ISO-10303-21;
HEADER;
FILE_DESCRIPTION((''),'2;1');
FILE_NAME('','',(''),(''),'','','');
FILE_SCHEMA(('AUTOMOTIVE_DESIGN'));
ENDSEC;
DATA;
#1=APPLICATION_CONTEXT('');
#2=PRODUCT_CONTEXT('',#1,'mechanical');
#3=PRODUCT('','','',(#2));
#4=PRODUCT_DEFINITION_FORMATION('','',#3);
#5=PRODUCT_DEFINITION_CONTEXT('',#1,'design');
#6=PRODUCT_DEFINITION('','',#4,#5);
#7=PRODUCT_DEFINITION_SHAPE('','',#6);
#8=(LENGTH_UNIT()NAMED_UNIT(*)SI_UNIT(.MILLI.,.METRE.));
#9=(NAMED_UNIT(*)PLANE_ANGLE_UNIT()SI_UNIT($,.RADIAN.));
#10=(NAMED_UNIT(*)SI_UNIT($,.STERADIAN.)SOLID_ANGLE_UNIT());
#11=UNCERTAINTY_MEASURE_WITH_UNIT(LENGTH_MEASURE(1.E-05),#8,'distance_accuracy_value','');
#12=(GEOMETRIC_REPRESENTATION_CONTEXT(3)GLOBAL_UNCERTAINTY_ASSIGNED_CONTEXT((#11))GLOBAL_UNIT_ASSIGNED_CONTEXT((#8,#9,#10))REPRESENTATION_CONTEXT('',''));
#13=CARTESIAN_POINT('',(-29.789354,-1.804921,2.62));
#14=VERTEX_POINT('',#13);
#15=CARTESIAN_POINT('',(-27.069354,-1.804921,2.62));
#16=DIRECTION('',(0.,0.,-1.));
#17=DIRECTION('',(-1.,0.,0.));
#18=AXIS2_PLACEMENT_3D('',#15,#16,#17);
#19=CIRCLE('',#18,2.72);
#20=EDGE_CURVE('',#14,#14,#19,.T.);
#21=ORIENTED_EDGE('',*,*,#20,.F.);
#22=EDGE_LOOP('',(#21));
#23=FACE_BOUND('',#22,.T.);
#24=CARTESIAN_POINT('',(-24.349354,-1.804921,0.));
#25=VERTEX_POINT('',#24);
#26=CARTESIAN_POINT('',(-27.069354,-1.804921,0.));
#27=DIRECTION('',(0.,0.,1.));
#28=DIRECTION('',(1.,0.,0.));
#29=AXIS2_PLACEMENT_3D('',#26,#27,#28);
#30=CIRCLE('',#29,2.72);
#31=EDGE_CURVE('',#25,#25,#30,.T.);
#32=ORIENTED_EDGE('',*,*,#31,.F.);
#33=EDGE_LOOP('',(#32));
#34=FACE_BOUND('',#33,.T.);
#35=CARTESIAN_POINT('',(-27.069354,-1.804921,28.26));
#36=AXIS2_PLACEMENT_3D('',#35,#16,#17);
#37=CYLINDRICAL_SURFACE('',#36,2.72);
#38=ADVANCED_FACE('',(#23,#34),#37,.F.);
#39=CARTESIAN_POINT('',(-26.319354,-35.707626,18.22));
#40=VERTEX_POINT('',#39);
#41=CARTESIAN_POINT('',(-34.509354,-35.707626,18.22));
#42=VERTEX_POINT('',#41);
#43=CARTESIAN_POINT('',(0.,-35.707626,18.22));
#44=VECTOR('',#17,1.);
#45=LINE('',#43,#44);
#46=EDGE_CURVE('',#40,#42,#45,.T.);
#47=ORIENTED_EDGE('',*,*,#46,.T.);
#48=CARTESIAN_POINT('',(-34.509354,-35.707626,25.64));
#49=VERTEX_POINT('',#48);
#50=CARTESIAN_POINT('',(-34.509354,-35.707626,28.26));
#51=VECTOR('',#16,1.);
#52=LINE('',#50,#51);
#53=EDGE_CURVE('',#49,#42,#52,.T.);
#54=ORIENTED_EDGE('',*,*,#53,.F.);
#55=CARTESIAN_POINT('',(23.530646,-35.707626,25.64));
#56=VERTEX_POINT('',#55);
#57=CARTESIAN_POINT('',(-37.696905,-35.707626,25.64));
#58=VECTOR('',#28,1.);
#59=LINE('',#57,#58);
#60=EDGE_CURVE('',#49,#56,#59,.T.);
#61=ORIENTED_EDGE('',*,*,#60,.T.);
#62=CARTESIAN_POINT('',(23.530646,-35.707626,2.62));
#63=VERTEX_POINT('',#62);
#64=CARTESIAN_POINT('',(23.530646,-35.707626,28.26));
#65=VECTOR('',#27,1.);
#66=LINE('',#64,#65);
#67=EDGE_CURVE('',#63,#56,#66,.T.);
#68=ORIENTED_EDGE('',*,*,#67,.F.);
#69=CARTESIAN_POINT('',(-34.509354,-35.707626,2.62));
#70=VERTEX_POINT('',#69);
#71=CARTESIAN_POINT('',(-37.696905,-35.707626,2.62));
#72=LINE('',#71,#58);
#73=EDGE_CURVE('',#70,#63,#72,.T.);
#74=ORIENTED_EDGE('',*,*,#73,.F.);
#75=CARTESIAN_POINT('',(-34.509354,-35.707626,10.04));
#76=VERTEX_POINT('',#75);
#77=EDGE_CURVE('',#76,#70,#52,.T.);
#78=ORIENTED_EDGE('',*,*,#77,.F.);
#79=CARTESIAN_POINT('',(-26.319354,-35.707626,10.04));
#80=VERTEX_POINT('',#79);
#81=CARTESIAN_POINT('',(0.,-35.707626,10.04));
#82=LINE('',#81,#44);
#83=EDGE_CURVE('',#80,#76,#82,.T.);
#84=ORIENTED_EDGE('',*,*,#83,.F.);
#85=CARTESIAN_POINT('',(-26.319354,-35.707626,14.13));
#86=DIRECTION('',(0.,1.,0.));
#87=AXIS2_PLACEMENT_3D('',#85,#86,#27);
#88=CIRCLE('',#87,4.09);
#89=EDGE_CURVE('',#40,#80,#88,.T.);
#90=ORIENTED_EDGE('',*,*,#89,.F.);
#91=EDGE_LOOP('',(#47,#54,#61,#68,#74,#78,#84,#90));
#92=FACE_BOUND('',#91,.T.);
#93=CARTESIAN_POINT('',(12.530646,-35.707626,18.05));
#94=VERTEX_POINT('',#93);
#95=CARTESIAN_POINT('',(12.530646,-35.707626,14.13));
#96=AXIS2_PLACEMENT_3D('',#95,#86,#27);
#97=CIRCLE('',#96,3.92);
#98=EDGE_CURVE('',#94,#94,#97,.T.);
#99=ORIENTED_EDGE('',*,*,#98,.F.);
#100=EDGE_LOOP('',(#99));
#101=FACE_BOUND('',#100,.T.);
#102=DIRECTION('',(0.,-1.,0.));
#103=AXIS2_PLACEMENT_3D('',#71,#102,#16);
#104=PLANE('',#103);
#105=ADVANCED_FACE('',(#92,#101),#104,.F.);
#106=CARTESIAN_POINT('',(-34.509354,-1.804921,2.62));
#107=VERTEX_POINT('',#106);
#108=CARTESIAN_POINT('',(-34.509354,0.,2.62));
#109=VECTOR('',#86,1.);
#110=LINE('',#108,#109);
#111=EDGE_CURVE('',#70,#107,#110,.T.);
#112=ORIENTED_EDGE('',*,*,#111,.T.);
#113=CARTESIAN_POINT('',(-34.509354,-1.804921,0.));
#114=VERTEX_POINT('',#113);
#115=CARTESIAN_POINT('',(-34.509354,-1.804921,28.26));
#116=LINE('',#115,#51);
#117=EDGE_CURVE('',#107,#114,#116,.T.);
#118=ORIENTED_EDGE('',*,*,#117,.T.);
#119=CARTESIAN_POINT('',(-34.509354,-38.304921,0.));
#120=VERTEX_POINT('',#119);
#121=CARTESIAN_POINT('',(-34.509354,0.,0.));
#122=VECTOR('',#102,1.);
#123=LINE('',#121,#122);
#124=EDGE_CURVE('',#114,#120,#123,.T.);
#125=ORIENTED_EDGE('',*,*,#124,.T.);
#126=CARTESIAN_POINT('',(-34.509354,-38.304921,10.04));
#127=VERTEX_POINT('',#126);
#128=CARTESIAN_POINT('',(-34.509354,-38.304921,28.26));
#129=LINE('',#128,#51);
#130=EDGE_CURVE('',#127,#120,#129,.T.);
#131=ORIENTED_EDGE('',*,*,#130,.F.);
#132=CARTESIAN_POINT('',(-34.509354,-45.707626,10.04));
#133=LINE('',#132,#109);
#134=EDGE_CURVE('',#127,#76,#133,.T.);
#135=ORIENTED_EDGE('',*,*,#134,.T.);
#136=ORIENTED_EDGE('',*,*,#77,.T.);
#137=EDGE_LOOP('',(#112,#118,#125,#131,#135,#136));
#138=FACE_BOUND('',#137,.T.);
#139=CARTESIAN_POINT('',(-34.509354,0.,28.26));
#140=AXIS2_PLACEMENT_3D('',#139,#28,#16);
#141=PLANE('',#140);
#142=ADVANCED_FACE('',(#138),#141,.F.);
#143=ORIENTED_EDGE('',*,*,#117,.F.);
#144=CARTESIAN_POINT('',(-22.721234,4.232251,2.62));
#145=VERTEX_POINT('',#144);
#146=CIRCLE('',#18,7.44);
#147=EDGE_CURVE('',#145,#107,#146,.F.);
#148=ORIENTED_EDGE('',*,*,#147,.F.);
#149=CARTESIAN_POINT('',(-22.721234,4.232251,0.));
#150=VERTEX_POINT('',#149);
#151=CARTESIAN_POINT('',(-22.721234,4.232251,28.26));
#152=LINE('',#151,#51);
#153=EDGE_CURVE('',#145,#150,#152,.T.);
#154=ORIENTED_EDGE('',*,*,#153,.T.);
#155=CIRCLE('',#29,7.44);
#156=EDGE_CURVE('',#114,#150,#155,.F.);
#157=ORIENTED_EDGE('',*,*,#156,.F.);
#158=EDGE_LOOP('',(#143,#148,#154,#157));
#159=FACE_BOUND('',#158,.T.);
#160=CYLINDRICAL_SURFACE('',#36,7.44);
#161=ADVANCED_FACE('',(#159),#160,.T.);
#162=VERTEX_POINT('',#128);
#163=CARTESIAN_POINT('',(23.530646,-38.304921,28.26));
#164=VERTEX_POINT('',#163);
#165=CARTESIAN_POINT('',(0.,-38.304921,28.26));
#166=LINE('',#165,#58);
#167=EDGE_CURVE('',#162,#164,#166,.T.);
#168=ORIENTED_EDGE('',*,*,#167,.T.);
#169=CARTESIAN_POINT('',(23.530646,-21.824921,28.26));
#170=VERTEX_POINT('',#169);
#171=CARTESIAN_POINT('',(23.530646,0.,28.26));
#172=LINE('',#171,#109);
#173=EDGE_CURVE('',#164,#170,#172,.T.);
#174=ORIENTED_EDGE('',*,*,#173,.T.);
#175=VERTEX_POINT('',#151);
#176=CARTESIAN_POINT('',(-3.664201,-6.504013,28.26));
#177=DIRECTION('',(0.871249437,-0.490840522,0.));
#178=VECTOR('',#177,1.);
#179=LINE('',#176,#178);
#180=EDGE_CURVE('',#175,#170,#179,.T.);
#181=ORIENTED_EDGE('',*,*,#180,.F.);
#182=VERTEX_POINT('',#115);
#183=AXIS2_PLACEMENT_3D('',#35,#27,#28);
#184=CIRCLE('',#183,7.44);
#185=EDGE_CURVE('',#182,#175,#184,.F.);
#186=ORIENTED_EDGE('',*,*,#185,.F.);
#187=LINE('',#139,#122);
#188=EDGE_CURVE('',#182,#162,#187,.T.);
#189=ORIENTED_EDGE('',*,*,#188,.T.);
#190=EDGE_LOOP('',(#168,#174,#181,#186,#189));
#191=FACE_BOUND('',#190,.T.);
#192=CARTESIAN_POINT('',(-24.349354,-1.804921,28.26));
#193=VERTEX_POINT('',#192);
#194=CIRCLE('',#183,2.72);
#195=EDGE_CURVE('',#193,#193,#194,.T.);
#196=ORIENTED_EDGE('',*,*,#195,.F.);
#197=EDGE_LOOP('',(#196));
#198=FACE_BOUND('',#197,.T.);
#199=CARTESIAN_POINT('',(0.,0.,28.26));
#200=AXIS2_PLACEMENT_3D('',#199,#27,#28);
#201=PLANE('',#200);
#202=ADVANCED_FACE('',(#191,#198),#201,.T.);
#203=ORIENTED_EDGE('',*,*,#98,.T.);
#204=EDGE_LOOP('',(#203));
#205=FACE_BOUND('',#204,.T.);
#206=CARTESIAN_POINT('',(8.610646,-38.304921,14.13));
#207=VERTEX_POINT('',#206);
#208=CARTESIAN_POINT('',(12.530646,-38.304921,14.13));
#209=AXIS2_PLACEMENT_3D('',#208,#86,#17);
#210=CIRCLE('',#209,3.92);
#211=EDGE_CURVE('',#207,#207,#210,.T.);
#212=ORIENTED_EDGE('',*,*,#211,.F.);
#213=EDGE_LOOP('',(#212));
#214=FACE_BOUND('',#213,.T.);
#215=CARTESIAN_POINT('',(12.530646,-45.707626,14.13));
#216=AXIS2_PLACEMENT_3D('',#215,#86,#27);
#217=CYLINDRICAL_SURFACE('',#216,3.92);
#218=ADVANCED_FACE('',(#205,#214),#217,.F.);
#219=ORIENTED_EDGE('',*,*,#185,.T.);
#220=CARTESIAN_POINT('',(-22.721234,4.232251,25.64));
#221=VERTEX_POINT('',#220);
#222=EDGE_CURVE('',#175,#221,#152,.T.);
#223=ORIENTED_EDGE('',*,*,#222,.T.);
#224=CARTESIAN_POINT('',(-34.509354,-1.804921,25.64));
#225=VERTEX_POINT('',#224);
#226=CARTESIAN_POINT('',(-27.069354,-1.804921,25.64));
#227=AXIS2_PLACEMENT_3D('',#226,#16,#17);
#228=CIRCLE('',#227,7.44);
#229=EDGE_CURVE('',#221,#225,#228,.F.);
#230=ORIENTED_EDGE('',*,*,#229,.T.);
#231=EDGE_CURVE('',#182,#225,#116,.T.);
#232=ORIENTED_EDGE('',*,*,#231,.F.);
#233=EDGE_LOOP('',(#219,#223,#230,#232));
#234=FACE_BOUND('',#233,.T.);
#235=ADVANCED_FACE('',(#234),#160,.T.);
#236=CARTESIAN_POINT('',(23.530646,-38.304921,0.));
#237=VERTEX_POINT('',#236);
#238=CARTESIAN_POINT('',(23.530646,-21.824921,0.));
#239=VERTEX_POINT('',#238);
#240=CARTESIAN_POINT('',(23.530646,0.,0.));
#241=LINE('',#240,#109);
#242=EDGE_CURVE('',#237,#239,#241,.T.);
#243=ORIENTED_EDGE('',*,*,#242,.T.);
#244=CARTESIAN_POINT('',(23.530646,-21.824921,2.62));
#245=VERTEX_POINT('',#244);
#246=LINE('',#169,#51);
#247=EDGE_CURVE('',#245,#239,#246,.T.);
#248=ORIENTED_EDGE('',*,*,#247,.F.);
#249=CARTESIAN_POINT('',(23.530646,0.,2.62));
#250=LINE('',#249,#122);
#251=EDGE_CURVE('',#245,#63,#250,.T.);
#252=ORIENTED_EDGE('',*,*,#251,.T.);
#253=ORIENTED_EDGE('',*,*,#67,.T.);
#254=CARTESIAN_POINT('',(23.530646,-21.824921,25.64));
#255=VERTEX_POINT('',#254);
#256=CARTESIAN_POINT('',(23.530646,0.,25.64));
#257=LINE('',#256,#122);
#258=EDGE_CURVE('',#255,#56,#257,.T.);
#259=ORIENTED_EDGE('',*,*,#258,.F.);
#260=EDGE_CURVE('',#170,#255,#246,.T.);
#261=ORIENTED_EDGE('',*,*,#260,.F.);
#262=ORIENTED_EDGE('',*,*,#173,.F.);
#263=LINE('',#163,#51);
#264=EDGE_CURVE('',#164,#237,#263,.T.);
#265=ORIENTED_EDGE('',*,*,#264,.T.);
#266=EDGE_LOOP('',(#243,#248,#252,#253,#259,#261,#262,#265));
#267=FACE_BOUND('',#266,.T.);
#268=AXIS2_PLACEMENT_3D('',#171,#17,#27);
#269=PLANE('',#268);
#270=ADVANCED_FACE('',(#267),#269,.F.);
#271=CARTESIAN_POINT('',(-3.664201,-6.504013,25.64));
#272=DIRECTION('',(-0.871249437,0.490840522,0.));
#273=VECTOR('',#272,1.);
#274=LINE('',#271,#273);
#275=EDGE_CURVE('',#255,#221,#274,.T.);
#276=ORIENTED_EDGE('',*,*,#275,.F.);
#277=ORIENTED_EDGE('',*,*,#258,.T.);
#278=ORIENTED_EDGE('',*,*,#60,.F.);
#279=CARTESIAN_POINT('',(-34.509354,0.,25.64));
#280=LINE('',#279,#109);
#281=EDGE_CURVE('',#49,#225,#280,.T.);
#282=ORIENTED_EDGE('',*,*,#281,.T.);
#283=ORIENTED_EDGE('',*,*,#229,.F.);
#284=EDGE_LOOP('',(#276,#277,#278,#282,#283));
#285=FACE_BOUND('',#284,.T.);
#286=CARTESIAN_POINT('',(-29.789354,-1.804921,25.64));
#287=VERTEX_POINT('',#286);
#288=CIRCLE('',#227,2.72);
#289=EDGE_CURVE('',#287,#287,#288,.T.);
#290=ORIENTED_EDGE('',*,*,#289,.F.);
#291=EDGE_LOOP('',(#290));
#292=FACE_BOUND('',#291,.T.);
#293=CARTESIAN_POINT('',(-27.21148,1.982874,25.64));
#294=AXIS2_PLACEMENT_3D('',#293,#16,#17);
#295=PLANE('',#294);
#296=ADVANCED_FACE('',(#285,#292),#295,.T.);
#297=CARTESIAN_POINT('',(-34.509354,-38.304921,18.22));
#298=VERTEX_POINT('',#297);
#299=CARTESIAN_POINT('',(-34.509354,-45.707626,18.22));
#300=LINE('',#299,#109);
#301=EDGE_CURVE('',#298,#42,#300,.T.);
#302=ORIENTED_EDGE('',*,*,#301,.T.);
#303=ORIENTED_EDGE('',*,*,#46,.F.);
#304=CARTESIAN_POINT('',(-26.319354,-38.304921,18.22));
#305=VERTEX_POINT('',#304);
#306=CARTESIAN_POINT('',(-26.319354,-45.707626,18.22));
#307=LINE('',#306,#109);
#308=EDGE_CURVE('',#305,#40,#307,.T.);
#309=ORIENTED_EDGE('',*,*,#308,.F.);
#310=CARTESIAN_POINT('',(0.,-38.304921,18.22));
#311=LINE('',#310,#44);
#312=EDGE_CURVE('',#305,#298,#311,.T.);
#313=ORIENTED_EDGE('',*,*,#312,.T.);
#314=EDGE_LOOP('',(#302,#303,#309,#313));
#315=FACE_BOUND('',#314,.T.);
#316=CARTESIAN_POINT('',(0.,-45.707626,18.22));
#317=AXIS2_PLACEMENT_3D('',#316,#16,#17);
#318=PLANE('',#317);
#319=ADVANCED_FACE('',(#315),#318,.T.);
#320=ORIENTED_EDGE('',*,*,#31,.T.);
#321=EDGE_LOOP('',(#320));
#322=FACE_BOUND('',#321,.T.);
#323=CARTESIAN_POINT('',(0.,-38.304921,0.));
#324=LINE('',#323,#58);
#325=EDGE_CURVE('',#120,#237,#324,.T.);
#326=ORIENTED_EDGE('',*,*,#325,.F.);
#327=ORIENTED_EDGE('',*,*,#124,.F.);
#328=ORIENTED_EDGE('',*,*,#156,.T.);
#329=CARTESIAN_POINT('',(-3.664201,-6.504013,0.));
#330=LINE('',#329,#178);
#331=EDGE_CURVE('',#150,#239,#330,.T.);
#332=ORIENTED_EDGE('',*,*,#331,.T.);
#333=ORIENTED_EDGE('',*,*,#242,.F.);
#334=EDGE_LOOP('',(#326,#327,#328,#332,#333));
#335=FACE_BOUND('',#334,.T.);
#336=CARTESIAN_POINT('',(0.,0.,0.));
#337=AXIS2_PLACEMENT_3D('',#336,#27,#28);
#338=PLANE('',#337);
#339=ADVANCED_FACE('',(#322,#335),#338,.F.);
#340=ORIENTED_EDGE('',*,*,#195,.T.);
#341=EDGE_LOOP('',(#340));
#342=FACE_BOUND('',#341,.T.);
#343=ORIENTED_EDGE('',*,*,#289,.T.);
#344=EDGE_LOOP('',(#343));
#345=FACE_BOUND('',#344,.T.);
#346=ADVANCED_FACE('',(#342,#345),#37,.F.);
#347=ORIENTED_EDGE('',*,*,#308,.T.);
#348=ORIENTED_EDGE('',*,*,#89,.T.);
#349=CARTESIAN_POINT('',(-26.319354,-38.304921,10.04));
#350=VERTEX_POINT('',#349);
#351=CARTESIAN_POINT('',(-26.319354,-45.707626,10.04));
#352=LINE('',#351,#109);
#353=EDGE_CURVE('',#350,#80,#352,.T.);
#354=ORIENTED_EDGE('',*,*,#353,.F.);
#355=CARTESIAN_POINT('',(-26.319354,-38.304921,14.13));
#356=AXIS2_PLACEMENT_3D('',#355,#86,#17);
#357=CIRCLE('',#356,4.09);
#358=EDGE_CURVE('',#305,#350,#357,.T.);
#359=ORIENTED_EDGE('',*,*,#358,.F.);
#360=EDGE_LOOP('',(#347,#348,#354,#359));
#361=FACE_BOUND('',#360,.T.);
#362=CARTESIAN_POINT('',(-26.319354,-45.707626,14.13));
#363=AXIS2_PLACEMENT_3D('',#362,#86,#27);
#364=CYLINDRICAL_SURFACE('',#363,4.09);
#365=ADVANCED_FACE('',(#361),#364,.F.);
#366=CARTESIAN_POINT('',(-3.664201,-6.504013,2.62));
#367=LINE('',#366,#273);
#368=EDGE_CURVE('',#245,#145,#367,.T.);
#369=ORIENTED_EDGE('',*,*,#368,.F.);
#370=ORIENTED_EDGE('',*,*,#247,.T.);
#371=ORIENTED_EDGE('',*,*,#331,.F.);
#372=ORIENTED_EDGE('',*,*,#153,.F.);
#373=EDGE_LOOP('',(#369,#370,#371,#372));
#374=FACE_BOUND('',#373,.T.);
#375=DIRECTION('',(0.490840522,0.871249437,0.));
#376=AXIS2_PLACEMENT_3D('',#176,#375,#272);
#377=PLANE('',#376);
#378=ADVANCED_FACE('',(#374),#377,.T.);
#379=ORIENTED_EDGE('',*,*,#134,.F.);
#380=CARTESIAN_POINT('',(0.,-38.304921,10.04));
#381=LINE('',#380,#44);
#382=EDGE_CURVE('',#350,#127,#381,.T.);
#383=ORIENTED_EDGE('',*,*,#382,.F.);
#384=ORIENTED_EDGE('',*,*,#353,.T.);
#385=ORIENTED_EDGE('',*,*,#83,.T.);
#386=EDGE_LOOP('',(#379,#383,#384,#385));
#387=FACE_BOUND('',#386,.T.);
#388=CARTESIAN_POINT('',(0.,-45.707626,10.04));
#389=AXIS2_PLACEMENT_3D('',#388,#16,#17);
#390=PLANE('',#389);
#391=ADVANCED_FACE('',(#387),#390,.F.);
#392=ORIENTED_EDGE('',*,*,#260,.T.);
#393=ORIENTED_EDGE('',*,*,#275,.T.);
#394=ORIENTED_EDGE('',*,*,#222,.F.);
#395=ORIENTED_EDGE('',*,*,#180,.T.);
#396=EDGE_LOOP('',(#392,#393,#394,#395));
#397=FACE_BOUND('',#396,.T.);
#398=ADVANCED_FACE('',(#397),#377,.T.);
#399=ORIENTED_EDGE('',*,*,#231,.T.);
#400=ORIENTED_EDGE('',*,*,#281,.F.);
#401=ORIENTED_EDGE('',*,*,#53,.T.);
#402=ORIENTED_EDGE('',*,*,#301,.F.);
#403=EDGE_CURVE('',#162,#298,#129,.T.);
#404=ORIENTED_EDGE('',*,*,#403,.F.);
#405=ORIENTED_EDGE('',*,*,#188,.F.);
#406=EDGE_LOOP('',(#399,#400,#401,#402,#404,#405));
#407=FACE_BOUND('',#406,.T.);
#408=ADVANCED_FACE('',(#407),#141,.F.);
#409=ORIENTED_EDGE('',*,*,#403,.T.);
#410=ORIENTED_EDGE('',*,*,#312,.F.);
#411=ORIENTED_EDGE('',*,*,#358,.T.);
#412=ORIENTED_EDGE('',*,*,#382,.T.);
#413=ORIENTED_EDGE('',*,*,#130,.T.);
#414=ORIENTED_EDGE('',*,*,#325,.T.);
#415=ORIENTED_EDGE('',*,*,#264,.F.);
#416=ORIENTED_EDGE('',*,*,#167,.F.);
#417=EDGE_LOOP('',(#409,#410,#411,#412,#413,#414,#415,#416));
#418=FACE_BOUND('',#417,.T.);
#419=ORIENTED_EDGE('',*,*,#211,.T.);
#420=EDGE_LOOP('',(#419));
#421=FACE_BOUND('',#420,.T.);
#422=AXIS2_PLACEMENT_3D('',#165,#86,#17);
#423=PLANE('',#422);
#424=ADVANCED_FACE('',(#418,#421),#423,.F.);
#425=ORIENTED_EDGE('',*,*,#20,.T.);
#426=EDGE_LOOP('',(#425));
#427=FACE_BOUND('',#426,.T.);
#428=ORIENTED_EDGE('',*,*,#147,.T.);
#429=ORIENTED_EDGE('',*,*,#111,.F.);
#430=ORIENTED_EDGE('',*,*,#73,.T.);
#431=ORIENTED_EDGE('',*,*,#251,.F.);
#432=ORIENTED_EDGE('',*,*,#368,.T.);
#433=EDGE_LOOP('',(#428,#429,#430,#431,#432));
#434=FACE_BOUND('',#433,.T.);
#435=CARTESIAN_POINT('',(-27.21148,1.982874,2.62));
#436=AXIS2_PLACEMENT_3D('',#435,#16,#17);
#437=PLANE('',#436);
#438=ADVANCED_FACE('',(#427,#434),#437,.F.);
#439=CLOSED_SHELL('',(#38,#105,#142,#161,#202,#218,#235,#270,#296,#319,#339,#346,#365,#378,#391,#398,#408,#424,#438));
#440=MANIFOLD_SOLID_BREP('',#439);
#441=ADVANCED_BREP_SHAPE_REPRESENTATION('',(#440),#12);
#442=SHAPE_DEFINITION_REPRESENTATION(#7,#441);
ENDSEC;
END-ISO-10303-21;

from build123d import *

# Parameters (mm, degrees)
SKETCH_1_R          = 2.72
EXTRUDE_4_DEPTH     = 28.26
CUT_EXTRUDE_1_DEPTH = 11.51
SKETCH_3_R          = 3.92
CUT_EXTRUDE_2_DEPTH = 10


with BuildPart() as part:
    # 草图1 → 凸台-拉伸4 (new body)
    with BuildSketch(Plane.XY):
        with BuildLine():
            Line((-34.509354159, -1.804921221), (-34.509354159, -38.304921221))
            Line((-34.509354159, -38.304921221), (23.530645841, -38.304921221))
            Line((23.530645841, -38.304921221), (23.530645841, -21.824921221))
            Line((23.530645841, -21.824921221), (-22.721234155, 4.232251332))
            ThreePointArc((-22.721234155, 4.232251332), (-30.46078359, 4.817148427), (-34.509354159, -1.804921221))
        make_face()
        with Locations((-27.069354159, -1.804921221)):
            Circle(SKETCH_1_R, mode=Mode.SUBTRACT)
    extrude(amount=EXTRUDE_4_DEPTH)

    # 草图2 → 切除-拉伸1 (cut, symmetric)
    with BuildSketch(Plane.XY.offset(14.13)):
        with BuildLine():
            Line((-35.9562977, -0.339763977), (-37.696904617, -35.707625719))
            Line((-37.696904617, -35.707625719), (23.935381019, -35.707625719))
            Line((23.935381019, -35.707625719), (23.935381019, -19.579879512))
            Line((23.935381019, -19.579879512), (-18.750112631, 5.187829847))
            ThreePointArc((-18.750112631, 5.187829847), (-29.978908557, 10.597270683), (-35.9562977, -0.339763977))
        make_face()
    extrude(amount=CUT_EXTRUDE_1_DEPTH, both=True, mode=Mode.SUBTRACT)

    # 草图3 → 切除-拉伸2 (cut)
    with BuildSketch(Plane(origin=(0, -35.707625719, 0), x_dir=(1, 0, 0), z_dir=(0, 1, 0))):
        with Locations(Location((12.530645841, -14.13, 0), (0, 0, 270))):
            Circle(SKETCH_3_R)
        with BuildLine():
            ThreePointArc((-26.319354159, -18.22), (-22.229354159, -14.13), (-26.319354159, -10.04))
            Line((-26.319354159, -10.04), (-34.509354159, -10.04))
            Line((-34.509354159, -10.04), (-34.509354159, -18.22))
            Line((-34.509354159, -18.22), (-26.319354159, -18.22))
        make_face()
    extrude(amount=-CUT_EXTRUDE_2_DEPTH, mode=Mode.SUBTRACT)


solid = part.part
